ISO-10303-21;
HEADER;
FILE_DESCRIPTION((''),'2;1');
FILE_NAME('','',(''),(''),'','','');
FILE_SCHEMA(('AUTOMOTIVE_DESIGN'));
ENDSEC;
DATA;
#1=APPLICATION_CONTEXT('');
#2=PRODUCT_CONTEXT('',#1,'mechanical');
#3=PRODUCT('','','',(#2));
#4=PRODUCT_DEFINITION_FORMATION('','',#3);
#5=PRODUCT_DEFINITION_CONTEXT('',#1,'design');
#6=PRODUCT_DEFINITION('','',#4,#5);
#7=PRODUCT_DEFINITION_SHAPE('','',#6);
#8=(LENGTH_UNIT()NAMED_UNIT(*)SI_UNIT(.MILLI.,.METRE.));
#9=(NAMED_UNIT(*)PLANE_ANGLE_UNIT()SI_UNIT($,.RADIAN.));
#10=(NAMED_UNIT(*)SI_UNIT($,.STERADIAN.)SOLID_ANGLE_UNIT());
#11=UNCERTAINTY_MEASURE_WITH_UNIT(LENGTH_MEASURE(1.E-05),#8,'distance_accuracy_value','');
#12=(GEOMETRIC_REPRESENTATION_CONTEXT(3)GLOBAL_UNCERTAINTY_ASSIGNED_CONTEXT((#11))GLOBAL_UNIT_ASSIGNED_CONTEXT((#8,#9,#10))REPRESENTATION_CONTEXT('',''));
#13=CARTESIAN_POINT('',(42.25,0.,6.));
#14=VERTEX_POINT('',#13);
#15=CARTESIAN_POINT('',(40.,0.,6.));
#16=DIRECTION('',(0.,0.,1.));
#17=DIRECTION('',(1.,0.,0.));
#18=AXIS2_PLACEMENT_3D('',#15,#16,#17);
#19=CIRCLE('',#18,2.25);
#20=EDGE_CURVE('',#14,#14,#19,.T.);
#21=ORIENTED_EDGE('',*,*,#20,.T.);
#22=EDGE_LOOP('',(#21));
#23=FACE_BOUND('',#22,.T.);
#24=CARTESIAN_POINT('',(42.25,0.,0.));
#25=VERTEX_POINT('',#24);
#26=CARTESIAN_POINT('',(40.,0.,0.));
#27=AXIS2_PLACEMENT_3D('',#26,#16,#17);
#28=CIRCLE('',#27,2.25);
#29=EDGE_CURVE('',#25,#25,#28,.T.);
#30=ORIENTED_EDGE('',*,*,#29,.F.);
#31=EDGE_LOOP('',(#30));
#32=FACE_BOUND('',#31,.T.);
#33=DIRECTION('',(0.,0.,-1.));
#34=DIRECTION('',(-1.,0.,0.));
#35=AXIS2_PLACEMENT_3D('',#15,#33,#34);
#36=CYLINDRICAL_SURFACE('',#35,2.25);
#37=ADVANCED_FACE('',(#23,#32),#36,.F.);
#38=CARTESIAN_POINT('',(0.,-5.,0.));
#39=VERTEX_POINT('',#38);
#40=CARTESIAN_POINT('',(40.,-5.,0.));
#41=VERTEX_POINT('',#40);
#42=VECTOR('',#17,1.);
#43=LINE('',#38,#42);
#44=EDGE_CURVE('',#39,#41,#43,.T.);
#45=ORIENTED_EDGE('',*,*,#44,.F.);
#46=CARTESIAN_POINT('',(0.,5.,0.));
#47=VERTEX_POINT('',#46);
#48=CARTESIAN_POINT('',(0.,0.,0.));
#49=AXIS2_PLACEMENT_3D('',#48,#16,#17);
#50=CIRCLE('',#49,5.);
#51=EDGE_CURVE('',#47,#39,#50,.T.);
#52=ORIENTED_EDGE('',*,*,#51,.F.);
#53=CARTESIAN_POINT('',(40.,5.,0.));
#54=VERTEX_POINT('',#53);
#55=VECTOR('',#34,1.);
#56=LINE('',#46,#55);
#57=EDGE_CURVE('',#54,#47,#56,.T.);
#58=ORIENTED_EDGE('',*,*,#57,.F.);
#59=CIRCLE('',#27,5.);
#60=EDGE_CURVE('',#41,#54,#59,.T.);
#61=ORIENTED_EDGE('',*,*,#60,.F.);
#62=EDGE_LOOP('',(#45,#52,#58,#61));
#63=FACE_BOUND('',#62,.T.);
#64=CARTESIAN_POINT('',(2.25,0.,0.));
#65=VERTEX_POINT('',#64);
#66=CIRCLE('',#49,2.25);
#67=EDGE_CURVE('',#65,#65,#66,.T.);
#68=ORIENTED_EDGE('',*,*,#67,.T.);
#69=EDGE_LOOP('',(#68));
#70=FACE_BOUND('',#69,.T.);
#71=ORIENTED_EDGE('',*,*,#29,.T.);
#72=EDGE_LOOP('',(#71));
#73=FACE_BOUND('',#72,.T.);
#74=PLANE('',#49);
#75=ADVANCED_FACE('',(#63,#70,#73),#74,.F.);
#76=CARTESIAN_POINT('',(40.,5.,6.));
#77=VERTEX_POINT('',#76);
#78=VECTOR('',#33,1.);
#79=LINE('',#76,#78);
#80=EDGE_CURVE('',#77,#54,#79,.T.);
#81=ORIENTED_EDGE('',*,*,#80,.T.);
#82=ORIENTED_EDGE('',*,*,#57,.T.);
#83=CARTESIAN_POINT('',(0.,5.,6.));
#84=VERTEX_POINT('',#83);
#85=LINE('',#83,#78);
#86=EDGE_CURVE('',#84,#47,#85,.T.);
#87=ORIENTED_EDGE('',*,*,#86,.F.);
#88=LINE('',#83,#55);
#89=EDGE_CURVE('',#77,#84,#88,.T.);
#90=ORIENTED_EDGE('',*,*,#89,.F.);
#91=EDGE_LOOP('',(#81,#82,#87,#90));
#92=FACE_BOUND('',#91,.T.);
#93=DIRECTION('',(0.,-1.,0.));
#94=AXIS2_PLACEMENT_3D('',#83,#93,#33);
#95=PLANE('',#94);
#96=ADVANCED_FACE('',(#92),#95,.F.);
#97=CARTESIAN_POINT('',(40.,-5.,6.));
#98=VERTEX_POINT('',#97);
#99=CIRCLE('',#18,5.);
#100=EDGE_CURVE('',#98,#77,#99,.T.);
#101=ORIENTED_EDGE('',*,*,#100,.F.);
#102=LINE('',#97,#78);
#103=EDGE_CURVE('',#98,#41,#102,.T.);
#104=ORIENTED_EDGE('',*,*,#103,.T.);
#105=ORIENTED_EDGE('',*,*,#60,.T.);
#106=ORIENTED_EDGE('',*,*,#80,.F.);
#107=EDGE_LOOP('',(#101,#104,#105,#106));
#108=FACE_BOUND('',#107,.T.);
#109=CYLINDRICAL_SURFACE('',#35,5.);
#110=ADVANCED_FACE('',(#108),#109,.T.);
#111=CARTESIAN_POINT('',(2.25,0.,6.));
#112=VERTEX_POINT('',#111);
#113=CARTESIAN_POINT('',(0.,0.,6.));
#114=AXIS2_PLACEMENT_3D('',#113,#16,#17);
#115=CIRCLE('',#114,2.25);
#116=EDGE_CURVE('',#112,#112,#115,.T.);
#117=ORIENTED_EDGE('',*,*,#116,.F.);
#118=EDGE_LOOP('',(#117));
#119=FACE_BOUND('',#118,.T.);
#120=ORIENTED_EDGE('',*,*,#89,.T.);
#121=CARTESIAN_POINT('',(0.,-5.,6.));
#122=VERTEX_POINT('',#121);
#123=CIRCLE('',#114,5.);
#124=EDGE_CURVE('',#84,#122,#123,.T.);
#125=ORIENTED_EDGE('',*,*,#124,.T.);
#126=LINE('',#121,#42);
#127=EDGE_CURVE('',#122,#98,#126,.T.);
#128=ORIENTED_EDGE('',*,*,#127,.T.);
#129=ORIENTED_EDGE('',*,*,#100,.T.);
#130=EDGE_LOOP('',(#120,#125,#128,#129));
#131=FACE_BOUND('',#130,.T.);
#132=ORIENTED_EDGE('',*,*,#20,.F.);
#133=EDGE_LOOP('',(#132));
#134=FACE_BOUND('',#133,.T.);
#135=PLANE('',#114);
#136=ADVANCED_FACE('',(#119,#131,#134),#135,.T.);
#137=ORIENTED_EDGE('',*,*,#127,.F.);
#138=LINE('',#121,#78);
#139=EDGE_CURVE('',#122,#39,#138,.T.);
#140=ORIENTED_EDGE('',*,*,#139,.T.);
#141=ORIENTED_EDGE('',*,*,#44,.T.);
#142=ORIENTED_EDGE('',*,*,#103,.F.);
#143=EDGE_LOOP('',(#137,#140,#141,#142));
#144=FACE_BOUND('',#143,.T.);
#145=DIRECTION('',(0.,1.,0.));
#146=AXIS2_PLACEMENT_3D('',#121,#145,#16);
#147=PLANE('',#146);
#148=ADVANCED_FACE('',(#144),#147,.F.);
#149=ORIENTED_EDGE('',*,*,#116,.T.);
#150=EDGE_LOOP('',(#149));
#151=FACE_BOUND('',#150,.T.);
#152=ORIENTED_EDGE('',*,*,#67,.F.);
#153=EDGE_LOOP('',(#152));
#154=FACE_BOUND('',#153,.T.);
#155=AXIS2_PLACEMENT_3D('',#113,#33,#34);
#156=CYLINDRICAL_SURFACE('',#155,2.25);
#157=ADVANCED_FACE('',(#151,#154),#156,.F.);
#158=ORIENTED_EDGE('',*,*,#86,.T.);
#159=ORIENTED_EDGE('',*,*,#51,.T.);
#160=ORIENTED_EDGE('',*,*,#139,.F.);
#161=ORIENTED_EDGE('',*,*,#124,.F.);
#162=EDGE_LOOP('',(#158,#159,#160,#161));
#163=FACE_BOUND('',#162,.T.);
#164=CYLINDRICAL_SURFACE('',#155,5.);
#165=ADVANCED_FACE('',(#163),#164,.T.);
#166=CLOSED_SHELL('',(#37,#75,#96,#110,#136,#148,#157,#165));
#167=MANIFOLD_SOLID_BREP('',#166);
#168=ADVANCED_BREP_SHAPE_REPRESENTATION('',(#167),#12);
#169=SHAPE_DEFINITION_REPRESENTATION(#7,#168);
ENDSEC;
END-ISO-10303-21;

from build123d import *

# Parameters (mm, degrees)
SKETCH_1_R      = 2.25
EXTRUDE_1_DEPTH = 6


with BuildPart() as part:
    # Эскиз1 → Бобышка-Вытянуть1 (new body)
    with BuildSketch(Plane.XY):
        with BuildLine():
            Line((0, 5), (40, 5))
            ThreePointArc((40, 5), (45, 0), (40, -5))
            Line((40, -5), (0, -5))
            ThreePointArc((0, -5), (-5, 0), (0, 5))
        make_face()
        Circle(SKETCH_1_R, mode=Mode.SUBTRACT)
        with Locations((40, 0)):
            Circle(SKETCH_1_R, mode=Mode.SUBTRACT)
    extrude(amount=EXTRUDE_1_DEPTH)


solid = part.part
